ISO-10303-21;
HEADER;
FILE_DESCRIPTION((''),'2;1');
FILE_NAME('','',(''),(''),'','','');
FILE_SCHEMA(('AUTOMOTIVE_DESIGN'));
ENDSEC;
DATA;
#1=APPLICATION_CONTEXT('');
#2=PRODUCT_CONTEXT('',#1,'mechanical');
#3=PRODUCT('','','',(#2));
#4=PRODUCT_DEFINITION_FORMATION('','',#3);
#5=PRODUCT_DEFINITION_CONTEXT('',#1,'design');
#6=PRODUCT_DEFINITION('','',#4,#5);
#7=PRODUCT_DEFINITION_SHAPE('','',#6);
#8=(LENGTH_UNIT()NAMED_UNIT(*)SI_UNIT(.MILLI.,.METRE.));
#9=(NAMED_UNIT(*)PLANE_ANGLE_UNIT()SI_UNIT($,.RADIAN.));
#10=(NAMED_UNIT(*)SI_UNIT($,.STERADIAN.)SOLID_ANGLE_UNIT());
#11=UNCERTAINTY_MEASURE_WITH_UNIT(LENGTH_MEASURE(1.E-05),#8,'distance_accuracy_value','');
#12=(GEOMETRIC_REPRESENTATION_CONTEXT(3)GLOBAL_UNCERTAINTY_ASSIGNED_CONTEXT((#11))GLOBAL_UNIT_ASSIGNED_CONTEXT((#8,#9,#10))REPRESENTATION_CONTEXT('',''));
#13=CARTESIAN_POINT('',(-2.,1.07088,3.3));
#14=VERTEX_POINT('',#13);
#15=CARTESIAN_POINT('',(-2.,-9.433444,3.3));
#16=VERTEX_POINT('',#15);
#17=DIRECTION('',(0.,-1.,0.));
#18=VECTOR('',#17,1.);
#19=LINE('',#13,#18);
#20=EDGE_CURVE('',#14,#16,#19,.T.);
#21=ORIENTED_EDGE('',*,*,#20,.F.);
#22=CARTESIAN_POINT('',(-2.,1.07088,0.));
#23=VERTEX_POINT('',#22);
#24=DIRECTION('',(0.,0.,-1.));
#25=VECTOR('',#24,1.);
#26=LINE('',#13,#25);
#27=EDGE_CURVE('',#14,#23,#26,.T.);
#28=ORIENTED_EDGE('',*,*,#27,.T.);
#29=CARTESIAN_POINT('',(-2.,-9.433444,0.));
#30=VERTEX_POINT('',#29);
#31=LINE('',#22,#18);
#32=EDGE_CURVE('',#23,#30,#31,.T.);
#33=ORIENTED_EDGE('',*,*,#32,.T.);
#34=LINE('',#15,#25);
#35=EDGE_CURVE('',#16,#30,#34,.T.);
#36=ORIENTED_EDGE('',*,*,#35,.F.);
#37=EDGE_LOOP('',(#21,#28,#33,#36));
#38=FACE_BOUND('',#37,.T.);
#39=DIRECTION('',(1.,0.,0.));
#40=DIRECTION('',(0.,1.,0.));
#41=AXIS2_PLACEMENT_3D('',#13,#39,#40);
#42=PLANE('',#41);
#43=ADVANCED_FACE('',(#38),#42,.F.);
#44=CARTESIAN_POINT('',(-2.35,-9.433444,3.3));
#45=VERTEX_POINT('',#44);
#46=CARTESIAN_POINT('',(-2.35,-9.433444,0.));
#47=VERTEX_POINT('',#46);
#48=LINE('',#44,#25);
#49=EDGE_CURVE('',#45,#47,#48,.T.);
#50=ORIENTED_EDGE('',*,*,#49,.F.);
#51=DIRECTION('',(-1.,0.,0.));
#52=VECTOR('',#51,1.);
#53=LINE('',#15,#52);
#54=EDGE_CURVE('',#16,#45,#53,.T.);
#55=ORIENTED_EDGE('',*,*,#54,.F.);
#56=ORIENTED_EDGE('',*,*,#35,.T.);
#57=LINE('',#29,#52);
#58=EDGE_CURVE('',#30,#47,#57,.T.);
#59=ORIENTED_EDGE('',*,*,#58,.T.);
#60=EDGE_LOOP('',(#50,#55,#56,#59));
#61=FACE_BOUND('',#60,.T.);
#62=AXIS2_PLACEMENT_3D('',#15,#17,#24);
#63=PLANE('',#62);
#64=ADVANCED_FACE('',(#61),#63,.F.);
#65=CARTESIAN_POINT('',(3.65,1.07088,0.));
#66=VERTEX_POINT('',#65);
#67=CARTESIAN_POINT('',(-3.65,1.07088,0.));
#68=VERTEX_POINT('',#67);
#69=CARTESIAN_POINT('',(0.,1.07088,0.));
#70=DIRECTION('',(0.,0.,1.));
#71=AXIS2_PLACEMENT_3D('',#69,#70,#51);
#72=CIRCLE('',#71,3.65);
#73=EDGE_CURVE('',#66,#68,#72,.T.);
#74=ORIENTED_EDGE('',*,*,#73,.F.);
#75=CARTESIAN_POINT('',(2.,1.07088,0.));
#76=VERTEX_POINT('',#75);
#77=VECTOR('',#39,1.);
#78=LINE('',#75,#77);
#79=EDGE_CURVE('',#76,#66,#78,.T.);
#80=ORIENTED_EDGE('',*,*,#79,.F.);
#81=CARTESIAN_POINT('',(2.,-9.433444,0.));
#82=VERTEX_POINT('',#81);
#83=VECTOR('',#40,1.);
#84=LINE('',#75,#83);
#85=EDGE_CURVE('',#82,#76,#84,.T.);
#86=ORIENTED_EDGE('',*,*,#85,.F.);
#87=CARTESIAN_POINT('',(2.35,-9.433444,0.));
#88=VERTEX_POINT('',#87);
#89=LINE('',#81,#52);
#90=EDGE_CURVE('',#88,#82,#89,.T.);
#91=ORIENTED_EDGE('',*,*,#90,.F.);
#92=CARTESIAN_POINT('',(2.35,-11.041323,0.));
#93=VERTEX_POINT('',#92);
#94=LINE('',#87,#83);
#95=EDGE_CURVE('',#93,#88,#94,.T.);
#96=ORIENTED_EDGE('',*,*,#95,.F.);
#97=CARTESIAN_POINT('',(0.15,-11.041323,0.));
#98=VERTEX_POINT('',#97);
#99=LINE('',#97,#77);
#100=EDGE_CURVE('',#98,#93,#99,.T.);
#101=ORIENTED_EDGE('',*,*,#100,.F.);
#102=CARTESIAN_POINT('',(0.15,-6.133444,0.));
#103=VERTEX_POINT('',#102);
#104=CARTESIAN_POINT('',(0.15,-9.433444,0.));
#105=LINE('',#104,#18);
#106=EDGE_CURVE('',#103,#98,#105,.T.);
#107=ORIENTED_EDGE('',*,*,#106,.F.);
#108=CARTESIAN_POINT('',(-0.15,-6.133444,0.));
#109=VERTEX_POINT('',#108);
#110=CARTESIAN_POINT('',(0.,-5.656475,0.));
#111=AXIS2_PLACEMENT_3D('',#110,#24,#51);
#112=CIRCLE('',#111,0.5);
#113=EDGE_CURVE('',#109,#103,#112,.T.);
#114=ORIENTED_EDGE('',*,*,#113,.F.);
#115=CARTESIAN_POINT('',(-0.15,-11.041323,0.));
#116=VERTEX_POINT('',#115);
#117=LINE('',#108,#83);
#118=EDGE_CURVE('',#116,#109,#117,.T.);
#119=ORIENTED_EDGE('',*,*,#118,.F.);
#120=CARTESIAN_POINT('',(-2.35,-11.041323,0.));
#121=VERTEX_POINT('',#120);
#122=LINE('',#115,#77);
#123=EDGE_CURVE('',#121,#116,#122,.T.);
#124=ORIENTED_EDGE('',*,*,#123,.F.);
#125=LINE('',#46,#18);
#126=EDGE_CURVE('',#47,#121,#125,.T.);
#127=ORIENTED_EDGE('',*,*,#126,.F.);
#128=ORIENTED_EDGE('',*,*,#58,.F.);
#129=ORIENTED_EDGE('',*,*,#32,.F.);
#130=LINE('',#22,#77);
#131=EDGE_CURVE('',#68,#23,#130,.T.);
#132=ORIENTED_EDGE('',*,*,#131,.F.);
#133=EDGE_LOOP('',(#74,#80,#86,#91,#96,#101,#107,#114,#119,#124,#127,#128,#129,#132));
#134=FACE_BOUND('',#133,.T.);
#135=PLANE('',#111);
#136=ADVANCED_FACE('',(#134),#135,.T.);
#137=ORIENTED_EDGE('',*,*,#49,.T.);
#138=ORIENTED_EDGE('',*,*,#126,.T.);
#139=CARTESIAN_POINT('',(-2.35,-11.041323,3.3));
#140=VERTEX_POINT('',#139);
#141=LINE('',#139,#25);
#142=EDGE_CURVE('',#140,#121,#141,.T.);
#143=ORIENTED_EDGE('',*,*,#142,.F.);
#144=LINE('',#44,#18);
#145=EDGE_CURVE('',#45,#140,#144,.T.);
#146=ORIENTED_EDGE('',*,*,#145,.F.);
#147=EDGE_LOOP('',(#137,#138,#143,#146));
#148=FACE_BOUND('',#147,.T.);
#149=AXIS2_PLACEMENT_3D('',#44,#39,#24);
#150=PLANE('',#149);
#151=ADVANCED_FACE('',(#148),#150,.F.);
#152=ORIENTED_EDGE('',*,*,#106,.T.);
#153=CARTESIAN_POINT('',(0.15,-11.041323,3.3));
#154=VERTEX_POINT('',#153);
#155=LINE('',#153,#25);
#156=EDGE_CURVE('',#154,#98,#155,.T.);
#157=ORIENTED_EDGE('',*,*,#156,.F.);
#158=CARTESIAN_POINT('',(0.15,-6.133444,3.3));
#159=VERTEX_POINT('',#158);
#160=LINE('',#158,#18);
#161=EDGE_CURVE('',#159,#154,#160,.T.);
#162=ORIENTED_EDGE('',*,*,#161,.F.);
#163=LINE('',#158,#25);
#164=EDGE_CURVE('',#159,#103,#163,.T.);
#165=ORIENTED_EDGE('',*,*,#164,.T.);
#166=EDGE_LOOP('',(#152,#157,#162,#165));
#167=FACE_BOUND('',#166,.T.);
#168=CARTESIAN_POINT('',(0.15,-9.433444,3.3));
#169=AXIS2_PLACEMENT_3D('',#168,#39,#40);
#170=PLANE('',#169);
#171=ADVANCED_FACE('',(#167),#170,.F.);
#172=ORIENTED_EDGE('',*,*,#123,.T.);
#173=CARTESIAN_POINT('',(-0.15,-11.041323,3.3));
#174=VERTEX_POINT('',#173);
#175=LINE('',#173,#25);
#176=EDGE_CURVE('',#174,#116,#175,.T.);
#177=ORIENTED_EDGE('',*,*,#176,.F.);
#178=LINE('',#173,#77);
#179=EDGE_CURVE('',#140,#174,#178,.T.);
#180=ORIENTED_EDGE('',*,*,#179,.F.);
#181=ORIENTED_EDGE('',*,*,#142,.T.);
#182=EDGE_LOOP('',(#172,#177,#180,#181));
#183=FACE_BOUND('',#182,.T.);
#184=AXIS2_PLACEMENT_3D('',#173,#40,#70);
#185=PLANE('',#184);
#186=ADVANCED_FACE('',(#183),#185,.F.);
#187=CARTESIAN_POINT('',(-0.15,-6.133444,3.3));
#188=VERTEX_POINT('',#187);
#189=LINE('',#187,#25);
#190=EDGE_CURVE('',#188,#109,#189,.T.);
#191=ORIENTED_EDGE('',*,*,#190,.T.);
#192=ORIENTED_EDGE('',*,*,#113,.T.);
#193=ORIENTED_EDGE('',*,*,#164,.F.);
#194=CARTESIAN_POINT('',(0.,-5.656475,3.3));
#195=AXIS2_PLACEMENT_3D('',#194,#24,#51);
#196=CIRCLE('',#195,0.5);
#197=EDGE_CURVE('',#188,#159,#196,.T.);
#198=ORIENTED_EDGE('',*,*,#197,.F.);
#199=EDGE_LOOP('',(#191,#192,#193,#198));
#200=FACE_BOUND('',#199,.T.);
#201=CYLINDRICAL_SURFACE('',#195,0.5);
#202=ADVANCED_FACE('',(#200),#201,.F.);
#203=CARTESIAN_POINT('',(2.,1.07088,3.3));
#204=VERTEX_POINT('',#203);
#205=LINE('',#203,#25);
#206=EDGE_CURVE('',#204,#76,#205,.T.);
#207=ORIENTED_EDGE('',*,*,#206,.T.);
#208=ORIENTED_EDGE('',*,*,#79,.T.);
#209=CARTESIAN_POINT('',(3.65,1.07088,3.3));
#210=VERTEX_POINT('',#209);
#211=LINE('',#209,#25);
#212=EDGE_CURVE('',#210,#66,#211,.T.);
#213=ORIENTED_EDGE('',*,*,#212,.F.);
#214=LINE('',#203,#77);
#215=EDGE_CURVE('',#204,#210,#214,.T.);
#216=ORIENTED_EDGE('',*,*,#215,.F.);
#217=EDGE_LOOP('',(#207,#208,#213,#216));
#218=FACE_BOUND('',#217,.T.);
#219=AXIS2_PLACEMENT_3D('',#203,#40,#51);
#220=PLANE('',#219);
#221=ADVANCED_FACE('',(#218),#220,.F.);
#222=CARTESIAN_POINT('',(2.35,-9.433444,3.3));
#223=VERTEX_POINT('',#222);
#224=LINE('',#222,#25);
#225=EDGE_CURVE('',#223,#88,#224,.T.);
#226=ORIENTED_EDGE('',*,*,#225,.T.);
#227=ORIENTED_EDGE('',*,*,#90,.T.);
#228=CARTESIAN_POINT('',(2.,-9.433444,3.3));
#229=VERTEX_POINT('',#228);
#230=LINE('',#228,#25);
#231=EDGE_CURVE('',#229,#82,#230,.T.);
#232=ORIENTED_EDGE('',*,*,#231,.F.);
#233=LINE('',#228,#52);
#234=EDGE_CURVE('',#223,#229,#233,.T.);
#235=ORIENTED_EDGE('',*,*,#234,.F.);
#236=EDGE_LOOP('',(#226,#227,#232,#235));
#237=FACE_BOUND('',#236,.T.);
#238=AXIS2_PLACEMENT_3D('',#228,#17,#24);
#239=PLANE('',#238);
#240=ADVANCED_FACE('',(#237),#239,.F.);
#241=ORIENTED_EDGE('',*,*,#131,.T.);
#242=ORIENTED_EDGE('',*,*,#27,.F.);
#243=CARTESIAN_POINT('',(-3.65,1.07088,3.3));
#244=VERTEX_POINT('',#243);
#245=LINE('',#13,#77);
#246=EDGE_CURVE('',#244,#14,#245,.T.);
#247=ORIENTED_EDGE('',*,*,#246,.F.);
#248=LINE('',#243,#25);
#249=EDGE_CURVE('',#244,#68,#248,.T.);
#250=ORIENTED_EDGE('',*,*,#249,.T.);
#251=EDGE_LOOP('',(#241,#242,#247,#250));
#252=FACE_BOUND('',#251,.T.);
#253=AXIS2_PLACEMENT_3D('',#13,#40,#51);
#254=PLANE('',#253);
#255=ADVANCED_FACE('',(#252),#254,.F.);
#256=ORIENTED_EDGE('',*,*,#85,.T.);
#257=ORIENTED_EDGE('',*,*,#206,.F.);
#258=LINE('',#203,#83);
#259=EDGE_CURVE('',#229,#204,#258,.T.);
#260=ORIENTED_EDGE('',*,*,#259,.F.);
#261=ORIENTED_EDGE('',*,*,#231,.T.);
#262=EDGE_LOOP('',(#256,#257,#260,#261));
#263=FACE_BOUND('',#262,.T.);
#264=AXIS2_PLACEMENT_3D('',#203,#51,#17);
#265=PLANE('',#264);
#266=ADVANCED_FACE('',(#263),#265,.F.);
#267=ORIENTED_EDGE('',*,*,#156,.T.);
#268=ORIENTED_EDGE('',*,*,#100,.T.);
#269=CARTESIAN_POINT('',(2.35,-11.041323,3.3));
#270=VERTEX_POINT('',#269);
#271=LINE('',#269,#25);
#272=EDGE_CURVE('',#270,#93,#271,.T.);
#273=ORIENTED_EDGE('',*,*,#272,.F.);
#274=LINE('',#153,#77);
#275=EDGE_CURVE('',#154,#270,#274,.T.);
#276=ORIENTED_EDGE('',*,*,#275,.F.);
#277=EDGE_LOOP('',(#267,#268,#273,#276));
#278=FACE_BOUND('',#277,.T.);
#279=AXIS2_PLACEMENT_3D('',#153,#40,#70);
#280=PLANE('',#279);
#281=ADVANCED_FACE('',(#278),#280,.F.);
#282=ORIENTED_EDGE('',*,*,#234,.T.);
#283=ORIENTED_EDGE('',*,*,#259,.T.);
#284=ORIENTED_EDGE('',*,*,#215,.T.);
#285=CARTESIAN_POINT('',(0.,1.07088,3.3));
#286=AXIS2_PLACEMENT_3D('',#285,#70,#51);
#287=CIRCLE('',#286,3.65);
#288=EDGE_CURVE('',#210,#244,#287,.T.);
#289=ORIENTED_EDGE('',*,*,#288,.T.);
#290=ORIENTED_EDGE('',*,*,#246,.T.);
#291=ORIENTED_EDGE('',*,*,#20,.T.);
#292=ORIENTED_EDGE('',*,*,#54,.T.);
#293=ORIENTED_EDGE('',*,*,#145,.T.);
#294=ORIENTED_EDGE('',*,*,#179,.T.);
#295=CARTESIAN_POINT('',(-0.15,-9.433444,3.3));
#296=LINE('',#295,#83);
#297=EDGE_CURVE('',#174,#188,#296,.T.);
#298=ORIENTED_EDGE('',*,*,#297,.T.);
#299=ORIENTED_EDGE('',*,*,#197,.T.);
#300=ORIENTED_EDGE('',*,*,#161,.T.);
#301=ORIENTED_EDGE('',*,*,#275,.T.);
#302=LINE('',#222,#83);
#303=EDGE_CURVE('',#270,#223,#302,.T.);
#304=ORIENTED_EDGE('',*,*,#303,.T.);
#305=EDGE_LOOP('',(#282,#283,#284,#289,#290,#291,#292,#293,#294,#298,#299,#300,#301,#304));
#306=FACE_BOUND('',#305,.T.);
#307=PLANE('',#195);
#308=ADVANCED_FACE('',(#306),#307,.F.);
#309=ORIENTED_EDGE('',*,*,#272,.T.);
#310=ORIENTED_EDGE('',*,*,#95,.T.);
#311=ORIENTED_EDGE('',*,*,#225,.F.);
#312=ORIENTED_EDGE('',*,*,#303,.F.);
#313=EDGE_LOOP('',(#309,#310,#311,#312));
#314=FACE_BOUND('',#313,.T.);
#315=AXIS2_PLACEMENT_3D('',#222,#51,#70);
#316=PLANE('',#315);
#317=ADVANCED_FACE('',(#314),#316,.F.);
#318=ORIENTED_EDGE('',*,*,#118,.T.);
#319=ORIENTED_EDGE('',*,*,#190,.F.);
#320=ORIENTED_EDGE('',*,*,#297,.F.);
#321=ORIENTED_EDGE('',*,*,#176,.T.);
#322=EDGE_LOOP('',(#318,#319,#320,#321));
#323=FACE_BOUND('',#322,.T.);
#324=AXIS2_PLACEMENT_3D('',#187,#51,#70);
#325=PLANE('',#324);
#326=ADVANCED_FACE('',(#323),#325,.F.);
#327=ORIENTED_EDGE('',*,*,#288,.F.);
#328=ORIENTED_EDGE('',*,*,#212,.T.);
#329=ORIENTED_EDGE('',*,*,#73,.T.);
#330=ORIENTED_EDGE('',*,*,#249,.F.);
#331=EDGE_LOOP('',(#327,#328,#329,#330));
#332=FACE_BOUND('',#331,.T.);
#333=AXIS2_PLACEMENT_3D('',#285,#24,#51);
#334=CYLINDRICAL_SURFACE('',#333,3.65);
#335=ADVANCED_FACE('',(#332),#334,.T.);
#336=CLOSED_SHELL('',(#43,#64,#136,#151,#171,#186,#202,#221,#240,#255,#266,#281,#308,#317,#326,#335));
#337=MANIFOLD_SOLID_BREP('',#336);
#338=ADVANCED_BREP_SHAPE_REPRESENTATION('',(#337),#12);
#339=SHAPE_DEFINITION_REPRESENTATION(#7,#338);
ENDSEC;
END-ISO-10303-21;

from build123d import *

# Parameters (mm, degrees)
SALIENTE_EXTRUIR1_DEPTH = 3.3


with BuildPart() as part:
    # Croquis1 → Saliente-Extruir1 (new body)
    with BuildSketch(Plane.XY):
        with BuildLine():
            Line((-0.15, -6.133444496), (-0.15, -9.433444496))
            Line((-0.15, -9.433444496), (-0.15, -11.04132323))
            Line((-0.15, -11.04132323), (-2.35, -11.04132323))
            Line((-2.35, -11.04132323), (-2.35, -9.433444496))
            Line((-2.35, -9.433444496), (-2, -9.433444496))
            Line((-2, -9.433444496), (-2, 1.070879644))
            Line((-2, 1.070879644), (-3.65, 1.070879644))
            ThreePointArc((-3.65, 1.070879644), (0, 4.720879644), (3.65, 1.070879644))
            Line((3.65, 1.070879644), (2, 1.070879644))
            Line((2, 1.070879644), (2, -9.433444496))
            Line((2, -9.433444496), (2.35, -9.433444496))
            Line((2.35, -9.433444496), (2.35, -11.04132323))
            Line((2.35, -11.04132323), (0.15, -11.04132323))
            Line((0.15, -11.04132323), (0.15, -9.433444496))
            Line((0.15, -9.433444496), (0.15, -6.133444496))
            ThreePointArc((0.15, -6.133444496), (0, -5.156474895), (-0.15, -6.133444496))
        make_face()
    extrude(amount=SALIENTE_EXTRUIR1_DEPTH)


solid = part.part
